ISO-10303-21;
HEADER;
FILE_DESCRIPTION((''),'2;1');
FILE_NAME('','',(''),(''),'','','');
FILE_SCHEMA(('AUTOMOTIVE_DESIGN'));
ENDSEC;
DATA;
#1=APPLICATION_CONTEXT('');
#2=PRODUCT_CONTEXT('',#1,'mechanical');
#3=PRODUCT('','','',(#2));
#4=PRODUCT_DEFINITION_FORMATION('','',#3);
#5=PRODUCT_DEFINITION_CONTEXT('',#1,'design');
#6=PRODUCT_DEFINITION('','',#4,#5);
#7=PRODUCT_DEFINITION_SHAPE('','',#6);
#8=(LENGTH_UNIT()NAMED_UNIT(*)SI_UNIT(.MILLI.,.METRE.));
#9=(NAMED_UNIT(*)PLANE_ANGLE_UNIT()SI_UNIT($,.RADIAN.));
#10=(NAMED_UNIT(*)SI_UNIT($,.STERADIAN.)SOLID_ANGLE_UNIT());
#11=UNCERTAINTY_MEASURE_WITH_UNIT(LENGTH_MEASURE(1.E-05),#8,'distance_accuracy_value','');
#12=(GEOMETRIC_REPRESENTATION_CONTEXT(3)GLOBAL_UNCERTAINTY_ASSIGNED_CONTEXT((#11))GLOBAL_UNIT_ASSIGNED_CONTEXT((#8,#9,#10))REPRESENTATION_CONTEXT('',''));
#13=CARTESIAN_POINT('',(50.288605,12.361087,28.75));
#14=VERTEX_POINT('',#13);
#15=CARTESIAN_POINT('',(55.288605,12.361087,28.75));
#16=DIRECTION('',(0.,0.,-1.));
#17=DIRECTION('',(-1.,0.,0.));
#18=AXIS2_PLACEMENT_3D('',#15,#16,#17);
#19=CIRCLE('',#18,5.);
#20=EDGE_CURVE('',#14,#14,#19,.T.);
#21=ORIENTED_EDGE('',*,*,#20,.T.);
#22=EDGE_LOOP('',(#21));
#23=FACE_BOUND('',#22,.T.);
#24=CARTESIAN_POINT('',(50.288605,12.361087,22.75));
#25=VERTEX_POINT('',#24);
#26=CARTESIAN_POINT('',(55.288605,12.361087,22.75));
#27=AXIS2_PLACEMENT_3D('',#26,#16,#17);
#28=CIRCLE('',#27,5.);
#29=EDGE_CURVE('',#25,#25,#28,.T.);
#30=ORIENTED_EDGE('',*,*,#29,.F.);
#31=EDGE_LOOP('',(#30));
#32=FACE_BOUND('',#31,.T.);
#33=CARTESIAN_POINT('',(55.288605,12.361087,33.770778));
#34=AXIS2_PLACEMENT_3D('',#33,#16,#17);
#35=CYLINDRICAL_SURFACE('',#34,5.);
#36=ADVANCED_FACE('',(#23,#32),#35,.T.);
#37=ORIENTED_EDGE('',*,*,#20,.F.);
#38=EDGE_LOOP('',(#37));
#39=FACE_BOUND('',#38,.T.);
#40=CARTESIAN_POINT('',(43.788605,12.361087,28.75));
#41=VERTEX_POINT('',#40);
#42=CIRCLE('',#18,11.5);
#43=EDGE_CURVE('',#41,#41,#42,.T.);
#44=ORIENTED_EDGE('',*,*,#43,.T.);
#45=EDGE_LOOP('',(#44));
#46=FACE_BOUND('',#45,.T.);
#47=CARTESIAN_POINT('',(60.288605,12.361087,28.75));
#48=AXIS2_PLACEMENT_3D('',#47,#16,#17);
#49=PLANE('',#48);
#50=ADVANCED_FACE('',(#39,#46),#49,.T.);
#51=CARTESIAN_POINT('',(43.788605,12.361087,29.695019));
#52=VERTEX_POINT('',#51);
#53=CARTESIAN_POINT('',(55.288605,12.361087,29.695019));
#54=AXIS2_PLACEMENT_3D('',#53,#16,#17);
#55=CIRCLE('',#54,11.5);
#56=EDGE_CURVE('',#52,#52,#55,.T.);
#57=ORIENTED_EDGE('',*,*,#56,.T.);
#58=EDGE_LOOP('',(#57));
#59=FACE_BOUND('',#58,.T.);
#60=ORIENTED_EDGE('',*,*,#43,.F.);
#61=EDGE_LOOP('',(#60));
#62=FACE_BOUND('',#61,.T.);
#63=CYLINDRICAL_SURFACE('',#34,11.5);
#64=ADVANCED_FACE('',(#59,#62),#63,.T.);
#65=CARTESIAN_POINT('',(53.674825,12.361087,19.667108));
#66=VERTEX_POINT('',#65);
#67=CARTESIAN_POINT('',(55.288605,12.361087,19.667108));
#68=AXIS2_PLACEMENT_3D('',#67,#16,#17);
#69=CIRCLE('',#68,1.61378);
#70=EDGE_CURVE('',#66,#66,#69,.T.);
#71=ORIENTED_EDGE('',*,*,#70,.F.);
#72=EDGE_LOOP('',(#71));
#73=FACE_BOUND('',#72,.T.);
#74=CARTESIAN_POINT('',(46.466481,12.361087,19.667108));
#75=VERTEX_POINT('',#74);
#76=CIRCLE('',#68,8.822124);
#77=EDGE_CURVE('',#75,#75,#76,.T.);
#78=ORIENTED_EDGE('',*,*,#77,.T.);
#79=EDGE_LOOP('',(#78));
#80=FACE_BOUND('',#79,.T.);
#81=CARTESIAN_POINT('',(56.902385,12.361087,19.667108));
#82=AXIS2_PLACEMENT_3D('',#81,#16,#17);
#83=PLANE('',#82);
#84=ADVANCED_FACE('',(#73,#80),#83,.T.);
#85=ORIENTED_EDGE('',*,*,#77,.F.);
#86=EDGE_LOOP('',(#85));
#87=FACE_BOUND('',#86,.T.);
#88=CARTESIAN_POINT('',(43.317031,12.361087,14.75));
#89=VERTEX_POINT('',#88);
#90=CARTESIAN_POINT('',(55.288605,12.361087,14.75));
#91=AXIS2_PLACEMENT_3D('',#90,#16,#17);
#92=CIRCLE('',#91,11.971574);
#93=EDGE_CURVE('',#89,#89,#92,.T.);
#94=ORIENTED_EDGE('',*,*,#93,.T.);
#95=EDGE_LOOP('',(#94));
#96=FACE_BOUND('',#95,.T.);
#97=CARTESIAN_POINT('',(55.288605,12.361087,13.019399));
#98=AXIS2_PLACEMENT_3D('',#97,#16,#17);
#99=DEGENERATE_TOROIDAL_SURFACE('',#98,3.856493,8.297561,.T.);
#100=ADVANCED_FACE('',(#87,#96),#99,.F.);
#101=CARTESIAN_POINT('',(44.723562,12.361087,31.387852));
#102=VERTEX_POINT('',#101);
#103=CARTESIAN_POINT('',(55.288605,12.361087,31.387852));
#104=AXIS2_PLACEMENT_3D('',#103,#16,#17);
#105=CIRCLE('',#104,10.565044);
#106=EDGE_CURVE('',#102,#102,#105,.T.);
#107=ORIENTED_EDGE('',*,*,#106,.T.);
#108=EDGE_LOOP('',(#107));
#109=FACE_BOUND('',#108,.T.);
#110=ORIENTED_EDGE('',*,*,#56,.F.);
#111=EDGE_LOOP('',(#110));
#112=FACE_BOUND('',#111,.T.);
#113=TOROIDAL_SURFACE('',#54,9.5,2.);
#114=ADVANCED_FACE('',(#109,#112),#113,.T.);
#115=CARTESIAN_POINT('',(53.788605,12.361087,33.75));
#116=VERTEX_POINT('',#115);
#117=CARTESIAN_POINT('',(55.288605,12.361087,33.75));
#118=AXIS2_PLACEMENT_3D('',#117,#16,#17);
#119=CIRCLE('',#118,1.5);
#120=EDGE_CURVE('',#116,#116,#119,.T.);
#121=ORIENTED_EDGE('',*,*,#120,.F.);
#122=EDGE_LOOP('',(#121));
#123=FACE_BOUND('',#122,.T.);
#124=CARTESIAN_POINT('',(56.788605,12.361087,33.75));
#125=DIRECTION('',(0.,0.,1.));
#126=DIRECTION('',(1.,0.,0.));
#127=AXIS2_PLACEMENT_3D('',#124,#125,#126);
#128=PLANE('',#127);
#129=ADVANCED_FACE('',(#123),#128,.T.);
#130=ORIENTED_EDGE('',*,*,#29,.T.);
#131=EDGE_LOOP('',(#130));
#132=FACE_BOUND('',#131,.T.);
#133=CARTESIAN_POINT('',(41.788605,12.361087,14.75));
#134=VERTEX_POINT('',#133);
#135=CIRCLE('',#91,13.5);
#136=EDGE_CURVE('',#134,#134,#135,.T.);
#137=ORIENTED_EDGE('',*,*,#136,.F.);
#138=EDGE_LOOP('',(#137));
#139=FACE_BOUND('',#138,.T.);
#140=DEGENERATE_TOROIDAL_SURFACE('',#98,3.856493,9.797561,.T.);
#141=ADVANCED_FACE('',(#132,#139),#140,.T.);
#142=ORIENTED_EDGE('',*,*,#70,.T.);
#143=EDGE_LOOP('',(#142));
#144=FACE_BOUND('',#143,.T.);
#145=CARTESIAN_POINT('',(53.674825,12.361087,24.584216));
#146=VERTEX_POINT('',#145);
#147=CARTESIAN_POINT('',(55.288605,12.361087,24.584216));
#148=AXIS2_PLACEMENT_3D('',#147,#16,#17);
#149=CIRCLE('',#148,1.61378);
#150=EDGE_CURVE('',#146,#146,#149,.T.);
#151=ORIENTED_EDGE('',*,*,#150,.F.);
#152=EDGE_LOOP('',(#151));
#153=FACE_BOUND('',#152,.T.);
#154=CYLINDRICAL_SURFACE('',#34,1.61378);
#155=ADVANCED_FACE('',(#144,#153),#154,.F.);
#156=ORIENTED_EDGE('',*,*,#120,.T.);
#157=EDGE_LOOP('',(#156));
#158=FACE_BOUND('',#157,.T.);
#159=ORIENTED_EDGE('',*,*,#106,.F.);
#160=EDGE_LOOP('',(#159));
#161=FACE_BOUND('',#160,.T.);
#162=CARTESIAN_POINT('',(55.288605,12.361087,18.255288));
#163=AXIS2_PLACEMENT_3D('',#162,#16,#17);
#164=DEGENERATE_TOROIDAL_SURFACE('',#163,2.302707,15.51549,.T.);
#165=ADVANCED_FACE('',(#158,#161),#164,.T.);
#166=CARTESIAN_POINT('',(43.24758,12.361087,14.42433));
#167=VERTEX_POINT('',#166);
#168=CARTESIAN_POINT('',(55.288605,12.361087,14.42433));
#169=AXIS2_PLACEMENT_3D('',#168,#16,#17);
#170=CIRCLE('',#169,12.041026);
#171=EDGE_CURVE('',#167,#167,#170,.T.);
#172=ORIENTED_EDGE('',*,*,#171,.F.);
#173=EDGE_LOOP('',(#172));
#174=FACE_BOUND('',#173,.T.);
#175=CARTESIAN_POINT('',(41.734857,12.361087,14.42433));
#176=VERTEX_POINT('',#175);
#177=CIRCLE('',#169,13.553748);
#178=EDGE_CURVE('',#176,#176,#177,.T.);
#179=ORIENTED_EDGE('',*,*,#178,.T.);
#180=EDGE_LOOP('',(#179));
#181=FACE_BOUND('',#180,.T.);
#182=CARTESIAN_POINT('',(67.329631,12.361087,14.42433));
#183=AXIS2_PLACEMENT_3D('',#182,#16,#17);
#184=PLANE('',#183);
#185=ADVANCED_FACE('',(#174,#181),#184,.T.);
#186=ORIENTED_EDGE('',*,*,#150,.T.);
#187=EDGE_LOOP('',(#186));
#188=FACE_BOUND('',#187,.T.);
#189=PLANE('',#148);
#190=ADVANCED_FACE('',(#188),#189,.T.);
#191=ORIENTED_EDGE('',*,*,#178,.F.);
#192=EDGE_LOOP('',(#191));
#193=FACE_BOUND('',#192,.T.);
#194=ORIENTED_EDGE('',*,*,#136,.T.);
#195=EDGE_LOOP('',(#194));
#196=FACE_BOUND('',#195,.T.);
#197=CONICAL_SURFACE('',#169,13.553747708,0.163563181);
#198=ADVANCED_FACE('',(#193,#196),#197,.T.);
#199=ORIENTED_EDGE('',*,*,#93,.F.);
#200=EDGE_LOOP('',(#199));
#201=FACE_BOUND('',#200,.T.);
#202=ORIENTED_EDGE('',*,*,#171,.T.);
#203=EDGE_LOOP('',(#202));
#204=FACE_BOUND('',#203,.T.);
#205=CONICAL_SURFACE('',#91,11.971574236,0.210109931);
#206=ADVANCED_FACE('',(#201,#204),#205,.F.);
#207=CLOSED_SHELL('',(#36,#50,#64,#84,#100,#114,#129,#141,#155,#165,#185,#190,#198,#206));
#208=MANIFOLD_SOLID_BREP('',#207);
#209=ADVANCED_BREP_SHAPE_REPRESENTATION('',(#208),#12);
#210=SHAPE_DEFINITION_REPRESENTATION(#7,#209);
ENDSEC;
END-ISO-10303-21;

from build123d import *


with BuildPart() as part:
    # 스케치1 → 회전1 (revolve)
    with BuildSketch(Plane.XZ.offset(-12.361086828)):
        with BuildLine():
            Line((56.788605182, 33.75), (55.288605182, 33.75))
            Line((55.288605182, 33.75), (55.288605182, 24.584215849))
            Line((55.288605182, 24.584215849), (56.902385075, 24.584215849))
            Line((56.902385075, 24.584215849), (56.902385075, 19.667107924))
            Line((56.902385075, 19.667107924), (64.110728948, 19.667107924))
            ThreePointArc((64.110728948, 19.667107924), (66.132282487, 17.494751384), (67.260179418, 14.75))
            Line((67.260179418, 14.75), (67.329630852, 14.424330444))
            Line((67.329630852, 14.424330444), (68.842352891, 14.424330444))
            Line((68.842352891, 14.424330444), (68.788605182, 14.75))
            ThreePointArc((68.788605182, 14.75), (65.860000911, 20.153982961), (60.288605182, 22.75))
            Line((60.288605182, 22.75), (60.288605182, 28.75))
            Line((60.288605182, 28.75), (66.788605182, 28.75))
            Line((66.788605182, 28.75), (66.788605182, 29.69501927))
            ThreePointArc((66.788605182, 29.69501927), (66.539331768, 30.661950717), (65.853648759, 31.387851861))
            ThreePointArc((65.853648759, 31.387851861), (61.503658583, 33.269414183), (56.788605182, 33.75))
        make_face()
    revolve(axis=Axis((55.288605182, 12.361086828, 33.770778283), (0, 0, -1)))


solid = part.part
